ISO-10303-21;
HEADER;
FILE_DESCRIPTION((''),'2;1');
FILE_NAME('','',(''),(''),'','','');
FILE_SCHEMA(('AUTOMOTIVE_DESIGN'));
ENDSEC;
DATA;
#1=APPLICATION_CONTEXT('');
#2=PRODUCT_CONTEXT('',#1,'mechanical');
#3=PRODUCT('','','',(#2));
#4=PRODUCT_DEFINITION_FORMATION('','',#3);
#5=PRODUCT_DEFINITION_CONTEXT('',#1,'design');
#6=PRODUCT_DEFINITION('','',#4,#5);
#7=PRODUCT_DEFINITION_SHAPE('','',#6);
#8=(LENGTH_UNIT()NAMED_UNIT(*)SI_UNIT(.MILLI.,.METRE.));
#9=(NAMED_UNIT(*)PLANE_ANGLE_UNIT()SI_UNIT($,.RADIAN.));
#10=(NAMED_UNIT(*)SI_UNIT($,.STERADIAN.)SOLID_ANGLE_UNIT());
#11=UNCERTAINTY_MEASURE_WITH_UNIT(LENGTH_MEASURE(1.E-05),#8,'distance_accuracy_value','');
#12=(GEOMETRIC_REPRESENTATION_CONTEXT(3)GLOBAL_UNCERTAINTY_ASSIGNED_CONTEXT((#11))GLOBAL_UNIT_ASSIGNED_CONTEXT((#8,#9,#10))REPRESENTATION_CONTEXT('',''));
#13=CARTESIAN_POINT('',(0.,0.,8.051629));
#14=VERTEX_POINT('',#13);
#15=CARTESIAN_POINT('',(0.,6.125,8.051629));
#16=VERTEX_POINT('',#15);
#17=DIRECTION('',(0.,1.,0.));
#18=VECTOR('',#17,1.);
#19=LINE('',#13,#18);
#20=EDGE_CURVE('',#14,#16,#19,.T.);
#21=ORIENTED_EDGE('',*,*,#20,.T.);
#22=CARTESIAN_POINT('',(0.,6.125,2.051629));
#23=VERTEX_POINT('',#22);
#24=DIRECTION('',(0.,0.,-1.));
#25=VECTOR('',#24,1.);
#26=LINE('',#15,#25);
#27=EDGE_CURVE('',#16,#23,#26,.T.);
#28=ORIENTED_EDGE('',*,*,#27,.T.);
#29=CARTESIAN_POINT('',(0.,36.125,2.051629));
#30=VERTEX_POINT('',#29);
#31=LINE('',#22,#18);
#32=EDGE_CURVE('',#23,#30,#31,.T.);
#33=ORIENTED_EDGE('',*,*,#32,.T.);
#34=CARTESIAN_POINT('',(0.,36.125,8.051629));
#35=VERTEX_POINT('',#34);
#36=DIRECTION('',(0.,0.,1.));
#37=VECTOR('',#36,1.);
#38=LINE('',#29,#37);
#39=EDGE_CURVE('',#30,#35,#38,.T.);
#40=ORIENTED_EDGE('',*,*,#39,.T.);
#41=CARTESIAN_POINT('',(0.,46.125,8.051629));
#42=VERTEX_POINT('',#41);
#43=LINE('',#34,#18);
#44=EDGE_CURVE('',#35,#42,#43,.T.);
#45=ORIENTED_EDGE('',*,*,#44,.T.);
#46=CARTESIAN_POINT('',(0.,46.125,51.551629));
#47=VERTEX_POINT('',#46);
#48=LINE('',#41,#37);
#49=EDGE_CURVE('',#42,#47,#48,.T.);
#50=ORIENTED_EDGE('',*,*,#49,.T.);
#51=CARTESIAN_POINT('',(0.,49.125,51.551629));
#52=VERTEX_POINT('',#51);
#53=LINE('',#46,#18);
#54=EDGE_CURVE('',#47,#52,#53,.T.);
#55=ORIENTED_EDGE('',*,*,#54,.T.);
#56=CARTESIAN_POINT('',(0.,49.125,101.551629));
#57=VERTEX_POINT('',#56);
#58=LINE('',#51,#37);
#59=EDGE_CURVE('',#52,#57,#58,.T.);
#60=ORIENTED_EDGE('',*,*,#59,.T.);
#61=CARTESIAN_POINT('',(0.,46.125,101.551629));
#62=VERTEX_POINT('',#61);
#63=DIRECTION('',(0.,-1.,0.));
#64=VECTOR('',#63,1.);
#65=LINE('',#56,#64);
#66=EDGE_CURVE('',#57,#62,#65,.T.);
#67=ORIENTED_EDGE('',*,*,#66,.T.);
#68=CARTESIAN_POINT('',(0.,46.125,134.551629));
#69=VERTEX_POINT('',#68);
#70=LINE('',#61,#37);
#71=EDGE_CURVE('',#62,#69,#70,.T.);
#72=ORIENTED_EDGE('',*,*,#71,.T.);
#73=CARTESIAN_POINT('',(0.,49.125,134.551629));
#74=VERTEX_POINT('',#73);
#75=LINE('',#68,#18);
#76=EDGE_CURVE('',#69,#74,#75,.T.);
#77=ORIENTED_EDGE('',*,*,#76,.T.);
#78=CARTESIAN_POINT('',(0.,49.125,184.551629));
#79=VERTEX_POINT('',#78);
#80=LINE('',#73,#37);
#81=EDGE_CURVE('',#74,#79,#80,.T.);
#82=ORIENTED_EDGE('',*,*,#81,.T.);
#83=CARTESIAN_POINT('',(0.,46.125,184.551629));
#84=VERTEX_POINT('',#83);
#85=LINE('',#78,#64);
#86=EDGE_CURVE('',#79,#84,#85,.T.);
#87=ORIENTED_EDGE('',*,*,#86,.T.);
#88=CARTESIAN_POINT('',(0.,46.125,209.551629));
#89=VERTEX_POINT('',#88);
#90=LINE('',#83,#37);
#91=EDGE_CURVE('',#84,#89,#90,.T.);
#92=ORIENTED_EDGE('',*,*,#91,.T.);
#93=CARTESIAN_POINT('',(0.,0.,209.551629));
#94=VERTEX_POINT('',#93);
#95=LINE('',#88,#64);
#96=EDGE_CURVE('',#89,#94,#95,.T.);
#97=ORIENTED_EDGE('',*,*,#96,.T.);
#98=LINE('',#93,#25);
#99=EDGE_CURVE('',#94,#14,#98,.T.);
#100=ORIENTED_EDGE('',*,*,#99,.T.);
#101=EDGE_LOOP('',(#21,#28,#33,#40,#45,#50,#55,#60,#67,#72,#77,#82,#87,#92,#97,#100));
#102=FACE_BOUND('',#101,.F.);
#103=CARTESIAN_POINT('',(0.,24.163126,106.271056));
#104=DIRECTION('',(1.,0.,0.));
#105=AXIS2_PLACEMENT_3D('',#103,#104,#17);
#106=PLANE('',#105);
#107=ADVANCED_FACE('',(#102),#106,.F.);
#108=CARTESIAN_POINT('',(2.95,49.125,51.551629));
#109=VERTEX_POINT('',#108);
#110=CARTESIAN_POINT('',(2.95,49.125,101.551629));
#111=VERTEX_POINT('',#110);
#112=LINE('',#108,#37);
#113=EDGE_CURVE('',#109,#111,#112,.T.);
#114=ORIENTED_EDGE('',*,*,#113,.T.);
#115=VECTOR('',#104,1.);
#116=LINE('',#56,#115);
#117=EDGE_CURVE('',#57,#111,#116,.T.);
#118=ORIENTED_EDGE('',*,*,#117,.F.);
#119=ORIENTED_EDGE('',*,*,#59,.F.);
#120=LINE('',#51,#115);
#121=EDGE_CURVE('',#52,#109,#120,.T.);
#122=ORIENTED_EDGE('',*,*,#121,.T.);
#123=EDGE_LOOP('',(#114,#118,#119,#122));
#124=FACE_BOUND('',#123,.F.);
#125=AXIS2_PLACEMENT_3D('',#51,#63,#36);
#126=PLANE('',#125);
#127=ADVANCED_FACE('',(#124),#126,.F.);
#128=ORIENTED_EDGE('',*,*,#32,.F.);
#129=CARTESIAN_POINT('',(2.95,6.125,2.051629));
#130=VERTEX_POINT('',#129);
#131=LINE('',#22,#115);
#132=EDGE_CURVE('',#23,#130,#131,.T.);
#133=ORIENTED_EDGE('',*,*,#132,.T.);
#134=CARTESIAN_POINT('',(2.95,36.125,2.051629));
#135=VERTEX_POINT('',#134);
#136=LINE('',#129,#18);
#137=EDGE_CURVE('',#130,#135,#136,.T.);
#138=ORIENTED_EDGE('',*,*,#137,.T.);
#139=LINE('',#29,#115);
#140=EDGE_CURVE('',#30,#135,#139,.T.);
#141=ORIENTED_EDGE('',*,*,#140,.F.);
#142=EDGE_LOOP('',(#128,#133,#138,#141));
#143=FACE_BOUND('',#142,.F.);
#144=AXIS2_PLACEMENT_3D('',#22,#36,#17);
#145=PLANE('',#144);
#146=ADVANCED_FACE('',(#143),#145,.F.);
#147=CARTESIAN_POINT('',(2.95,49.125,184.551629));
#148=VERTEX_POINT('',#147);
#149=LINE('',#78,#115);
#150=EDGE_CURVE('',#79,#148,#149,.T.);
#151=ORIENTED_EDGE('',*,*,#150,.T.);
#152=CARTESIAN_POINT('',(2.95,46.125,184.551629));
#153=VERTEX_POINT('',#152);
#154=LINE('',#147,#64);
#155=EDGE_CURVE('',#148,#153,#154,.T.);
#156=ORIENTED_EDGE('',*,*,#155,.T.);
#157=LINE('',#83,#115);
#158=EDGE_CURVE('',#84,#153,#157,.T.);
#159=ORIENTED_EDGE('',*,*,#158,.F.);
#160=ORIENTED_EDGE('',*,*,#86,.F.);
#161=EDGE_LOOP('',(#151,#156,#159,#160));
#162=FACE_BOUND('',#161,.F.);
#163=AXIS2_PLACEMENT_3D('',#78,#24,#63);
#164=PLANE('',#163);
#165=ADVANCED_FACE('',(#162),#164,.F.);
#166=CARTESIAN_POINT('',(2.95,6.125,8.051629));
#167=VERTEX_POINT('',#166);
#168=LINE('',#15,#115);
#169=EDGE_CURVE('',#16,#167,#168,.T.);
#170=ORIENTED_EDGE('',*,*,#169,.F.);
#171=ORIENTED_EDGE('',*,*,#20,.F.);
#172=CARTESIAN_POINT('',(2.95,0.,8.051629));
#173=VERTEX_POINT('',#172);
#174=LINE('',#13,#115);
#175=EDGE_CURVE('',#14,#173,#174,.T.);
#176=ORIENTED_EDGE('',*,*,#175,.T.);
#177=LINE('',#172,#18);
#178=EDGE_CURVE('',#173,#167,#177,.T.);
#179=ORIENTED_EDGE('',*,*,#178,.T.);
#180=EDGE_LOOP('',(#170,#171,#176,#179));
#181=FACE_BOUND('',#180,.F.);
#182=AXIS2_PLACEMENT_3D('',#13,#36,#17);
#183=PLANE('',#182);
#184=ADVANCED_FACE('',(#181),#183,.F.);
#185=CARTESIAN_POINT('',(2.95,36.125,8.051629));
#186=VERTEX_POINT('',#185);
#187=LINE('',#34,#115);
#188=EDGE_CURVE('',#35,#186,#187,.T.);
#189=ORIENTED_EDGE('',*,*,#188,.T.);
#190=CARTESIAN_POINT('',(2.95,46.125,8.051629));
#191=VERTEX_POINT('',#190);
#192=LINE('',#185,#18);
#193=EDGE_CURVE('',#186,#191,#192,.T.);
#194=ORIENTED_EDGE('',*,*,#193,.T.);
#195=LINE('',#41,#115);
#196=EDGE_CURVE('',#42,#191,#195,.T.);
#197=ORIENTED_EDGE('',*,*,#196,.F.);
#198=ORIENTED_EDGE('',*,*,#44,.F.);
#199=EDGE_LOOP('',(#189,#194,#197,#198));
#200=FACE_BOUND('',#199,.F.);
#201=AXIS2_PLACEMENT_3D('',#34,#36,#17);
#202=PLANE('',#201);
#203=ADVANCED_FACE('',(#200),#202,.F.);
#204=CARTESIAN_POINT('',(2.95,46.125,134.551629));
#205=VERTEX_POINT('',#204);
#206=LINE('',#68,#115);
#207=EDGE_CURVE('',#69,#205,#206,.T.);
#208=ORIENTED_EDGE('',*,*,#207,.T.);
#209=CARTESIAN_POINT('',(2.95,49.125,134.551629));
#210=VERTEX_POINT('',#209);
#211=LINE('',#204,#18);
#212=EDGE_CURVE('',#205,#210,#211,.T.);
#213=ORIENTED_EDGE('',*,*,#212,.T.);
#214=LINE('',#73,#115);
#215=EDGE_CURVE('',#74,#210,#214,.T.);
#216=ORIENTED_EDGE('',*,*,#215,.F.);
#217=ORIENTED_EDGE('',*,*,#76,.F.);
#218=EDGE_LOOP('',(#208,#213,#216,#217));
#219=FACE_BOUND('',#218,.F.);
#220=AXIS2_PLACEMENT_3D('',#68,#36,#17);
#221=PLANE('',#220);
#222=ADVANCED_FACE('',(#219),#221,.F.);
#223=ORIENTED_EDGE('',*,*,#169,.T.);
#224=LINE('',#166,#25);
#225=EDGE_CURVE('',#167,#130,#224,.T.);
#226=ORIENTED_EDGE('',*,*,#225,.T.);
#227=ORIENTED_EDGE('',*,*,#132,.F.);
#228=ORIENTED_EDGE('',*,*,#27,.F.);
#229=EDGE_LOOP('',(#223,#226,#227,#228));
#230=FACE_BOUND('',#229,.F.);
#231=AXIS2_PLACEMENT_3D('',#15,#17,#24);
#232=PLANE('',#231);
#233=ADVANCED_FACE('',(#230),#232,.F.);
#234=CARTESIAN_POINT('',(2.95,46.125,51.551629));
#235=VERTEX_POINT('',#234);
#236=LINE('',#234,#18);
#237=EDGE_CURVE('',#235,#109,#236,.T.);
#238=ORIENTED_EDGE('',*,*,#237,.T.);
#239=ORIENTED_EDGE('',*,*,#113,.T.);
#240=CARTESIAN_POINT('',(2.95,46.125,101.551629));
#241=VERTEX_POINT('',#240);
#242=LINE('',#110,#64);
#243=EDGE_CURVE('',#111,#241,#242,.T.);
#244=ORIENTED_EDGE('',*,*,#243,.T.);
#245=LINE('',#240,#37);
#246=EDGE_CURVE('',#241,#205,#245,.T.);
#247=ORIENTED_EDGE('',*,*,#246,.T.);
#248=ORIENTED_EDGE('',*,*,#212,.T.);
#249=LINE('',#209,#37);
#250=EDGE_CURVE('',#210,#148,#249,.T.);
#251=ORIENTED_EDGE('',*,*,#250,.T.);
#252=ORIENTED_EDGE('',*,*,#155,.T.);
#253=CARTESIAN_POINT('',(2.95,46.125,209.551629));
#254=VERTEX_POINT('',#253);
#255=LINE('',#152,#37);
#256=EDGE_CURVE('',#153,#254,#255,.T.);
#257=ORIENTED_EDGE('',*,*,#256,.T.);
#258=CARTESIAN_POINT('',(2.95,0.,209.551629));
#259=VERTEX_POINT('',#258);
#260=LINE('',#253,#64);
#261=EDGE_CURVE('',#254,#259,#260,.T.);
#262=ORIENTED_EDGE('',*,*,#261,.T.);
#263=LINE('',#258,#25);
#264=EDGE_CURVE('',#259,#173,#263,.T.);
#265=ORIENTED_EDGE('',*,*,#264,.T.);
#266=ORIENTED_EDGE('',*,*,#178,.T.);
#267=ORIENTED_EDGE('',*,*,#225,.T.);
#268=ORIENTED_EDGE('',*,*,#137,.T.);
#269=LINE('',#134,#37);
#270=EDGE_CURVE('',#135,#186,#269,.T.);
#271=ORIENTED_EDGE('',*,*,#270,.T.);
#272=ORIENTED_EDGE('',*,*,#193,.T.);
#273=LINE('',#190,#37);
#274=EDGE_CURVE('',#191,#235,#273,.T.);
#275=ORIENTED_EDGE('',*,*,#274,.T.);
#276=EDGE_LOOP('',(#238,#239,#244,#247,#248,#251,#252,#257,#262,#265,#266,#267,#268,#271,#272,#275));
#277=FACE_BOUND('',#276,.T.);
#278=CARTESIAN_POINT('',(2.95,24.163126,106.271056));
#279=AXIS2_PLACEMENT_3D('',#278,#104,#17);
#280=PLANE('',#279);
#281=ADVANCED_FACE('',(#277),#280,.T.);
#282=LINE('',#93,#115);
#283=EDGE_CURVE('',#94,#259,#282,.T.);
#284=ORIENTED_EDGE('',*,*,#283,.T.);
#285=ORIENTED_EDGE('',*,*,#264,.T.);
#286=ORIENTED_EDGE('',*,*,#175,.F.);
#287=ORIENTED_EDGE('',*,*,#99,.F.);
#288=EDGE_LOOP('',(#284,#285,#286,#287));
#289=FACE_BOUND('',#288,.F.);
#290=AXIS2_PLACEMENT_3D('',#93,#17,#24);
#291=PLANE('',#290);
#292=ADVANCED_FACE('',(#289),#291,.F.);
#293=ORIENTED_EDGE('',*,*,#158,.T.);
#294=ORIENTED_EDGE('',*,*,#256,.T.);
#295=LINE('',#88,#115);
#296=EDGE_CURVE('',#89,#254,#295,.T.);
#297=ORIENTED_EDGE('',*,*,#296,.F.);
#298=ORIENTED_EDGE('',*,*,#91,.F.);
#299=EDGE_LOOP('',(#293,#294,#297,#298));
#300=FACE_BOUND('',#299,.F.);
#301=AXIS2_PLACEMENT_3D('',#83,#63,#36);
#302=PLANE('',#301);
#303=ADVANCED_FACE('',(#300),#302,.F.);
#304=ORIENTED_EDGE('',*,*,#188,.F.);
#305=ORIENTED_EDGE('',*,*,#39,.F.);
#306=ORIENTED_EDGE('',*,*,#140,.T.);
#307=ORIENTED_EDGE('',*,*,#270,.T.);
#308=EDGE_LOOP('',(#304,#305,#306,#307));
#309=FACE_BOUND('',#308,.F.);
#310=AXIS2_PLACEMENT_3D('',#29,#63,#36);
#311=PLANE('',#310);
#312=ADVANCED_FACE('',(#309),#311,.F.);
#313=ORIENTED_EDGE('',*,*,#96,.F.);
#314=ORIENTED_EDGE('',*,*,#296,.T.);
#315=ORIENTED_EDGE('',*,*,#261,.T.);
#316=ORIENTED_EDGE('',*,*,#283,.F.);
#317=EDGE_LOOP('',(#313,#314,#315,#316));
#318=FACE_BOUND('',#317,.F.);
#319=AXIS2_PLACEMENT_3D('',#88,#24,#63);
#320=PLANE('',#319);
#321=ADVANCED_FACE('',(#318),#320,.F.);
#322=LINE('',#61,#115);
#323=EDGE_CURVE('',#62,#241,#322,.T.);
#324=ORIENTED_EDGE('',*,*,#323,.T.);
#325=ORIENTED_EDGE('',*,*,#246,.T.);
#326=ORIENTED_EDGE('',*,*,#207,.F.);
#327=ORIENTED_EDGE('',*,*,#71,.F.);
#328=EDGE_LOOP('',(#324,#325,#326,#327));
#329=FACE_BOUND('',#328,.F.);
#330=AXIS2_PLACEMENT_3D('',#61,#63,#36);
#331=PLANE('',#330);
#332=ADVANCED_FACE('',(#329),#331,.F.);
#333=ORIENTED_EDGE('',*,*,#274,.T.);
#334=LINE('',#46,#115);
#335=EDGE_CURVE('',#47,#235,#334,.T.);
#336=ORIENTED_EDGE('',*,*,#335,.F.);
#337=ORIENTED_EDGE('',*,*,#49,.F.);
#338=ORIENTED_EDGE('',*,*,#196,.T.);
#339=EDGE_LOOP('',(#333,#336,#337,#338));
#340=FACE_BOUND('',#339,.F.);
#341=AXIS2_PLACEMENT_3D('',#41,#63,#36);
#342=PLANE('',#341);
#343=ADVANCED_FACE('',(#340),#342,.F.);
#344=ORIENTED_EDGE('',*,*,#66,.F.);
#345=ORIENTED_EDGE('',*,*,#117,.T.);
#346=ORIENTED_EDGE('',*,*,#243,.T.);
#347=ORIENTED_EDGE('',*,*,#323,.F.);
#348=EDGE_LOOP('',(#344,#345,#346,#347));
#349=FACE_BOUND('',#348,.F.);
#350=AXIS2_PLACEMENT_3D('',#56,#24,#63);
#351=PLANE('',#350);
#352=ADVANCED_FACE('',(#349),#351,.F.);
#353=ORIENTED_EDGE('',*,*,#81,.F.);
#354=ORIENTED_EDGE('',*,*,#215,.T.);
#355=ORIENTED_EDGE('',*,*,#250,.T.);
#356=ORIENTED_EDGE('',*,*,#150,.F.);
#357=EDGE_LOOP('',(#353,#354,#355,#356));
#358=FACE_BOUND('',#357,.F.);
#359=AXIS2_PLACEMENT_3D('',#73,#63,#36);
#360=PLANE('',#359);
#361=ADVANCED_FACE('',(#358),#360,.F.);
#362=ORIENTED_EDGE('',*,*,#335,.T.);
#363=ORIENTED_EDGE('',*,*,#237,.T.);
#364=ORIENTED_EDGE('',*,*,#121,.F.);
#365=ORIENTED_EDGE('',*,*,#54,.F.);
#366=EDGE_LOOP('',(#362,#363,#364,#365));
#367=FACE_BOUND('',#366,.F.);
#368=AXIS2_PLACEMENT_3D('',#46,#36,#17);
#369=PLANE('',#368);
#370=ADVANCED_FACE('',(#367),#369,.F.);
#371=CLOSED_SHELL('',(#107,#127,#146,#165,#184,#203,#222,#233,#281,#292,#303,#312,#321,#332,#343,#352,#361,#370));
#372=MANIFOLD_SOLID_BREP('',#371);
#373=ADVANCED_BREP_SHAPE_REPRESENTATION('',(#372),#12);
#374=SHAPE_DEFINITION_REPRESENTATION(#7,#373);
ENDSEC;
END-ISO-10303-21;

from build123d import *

# Parameters (mm, degrees)
F1_DEPTH = 2.95


with BuildPart() as f1:
    # F0 (on Right) → F1 (new body)
    with BuildSketch(Plane.YZ):
        Polygon((0, 209.551629), (0, 8.051629), (6.125, 8.051629), (6.125, 2.051629), (36.125, 2.051629), (36.125, 8.051629), (46.125, 8.051629), (46.125, 51.551629), (49.125, 51.551629), (49.125, 101.551629), (46.125, 101.551629), (46.125, 134.551629), (49.125, 134.551629), (49.125, 184.551629), (46.125, 184.551629), (46.125, 209.551629), align=None)
    extrude(amount=F1_DEPTH)


solid = f1.part
